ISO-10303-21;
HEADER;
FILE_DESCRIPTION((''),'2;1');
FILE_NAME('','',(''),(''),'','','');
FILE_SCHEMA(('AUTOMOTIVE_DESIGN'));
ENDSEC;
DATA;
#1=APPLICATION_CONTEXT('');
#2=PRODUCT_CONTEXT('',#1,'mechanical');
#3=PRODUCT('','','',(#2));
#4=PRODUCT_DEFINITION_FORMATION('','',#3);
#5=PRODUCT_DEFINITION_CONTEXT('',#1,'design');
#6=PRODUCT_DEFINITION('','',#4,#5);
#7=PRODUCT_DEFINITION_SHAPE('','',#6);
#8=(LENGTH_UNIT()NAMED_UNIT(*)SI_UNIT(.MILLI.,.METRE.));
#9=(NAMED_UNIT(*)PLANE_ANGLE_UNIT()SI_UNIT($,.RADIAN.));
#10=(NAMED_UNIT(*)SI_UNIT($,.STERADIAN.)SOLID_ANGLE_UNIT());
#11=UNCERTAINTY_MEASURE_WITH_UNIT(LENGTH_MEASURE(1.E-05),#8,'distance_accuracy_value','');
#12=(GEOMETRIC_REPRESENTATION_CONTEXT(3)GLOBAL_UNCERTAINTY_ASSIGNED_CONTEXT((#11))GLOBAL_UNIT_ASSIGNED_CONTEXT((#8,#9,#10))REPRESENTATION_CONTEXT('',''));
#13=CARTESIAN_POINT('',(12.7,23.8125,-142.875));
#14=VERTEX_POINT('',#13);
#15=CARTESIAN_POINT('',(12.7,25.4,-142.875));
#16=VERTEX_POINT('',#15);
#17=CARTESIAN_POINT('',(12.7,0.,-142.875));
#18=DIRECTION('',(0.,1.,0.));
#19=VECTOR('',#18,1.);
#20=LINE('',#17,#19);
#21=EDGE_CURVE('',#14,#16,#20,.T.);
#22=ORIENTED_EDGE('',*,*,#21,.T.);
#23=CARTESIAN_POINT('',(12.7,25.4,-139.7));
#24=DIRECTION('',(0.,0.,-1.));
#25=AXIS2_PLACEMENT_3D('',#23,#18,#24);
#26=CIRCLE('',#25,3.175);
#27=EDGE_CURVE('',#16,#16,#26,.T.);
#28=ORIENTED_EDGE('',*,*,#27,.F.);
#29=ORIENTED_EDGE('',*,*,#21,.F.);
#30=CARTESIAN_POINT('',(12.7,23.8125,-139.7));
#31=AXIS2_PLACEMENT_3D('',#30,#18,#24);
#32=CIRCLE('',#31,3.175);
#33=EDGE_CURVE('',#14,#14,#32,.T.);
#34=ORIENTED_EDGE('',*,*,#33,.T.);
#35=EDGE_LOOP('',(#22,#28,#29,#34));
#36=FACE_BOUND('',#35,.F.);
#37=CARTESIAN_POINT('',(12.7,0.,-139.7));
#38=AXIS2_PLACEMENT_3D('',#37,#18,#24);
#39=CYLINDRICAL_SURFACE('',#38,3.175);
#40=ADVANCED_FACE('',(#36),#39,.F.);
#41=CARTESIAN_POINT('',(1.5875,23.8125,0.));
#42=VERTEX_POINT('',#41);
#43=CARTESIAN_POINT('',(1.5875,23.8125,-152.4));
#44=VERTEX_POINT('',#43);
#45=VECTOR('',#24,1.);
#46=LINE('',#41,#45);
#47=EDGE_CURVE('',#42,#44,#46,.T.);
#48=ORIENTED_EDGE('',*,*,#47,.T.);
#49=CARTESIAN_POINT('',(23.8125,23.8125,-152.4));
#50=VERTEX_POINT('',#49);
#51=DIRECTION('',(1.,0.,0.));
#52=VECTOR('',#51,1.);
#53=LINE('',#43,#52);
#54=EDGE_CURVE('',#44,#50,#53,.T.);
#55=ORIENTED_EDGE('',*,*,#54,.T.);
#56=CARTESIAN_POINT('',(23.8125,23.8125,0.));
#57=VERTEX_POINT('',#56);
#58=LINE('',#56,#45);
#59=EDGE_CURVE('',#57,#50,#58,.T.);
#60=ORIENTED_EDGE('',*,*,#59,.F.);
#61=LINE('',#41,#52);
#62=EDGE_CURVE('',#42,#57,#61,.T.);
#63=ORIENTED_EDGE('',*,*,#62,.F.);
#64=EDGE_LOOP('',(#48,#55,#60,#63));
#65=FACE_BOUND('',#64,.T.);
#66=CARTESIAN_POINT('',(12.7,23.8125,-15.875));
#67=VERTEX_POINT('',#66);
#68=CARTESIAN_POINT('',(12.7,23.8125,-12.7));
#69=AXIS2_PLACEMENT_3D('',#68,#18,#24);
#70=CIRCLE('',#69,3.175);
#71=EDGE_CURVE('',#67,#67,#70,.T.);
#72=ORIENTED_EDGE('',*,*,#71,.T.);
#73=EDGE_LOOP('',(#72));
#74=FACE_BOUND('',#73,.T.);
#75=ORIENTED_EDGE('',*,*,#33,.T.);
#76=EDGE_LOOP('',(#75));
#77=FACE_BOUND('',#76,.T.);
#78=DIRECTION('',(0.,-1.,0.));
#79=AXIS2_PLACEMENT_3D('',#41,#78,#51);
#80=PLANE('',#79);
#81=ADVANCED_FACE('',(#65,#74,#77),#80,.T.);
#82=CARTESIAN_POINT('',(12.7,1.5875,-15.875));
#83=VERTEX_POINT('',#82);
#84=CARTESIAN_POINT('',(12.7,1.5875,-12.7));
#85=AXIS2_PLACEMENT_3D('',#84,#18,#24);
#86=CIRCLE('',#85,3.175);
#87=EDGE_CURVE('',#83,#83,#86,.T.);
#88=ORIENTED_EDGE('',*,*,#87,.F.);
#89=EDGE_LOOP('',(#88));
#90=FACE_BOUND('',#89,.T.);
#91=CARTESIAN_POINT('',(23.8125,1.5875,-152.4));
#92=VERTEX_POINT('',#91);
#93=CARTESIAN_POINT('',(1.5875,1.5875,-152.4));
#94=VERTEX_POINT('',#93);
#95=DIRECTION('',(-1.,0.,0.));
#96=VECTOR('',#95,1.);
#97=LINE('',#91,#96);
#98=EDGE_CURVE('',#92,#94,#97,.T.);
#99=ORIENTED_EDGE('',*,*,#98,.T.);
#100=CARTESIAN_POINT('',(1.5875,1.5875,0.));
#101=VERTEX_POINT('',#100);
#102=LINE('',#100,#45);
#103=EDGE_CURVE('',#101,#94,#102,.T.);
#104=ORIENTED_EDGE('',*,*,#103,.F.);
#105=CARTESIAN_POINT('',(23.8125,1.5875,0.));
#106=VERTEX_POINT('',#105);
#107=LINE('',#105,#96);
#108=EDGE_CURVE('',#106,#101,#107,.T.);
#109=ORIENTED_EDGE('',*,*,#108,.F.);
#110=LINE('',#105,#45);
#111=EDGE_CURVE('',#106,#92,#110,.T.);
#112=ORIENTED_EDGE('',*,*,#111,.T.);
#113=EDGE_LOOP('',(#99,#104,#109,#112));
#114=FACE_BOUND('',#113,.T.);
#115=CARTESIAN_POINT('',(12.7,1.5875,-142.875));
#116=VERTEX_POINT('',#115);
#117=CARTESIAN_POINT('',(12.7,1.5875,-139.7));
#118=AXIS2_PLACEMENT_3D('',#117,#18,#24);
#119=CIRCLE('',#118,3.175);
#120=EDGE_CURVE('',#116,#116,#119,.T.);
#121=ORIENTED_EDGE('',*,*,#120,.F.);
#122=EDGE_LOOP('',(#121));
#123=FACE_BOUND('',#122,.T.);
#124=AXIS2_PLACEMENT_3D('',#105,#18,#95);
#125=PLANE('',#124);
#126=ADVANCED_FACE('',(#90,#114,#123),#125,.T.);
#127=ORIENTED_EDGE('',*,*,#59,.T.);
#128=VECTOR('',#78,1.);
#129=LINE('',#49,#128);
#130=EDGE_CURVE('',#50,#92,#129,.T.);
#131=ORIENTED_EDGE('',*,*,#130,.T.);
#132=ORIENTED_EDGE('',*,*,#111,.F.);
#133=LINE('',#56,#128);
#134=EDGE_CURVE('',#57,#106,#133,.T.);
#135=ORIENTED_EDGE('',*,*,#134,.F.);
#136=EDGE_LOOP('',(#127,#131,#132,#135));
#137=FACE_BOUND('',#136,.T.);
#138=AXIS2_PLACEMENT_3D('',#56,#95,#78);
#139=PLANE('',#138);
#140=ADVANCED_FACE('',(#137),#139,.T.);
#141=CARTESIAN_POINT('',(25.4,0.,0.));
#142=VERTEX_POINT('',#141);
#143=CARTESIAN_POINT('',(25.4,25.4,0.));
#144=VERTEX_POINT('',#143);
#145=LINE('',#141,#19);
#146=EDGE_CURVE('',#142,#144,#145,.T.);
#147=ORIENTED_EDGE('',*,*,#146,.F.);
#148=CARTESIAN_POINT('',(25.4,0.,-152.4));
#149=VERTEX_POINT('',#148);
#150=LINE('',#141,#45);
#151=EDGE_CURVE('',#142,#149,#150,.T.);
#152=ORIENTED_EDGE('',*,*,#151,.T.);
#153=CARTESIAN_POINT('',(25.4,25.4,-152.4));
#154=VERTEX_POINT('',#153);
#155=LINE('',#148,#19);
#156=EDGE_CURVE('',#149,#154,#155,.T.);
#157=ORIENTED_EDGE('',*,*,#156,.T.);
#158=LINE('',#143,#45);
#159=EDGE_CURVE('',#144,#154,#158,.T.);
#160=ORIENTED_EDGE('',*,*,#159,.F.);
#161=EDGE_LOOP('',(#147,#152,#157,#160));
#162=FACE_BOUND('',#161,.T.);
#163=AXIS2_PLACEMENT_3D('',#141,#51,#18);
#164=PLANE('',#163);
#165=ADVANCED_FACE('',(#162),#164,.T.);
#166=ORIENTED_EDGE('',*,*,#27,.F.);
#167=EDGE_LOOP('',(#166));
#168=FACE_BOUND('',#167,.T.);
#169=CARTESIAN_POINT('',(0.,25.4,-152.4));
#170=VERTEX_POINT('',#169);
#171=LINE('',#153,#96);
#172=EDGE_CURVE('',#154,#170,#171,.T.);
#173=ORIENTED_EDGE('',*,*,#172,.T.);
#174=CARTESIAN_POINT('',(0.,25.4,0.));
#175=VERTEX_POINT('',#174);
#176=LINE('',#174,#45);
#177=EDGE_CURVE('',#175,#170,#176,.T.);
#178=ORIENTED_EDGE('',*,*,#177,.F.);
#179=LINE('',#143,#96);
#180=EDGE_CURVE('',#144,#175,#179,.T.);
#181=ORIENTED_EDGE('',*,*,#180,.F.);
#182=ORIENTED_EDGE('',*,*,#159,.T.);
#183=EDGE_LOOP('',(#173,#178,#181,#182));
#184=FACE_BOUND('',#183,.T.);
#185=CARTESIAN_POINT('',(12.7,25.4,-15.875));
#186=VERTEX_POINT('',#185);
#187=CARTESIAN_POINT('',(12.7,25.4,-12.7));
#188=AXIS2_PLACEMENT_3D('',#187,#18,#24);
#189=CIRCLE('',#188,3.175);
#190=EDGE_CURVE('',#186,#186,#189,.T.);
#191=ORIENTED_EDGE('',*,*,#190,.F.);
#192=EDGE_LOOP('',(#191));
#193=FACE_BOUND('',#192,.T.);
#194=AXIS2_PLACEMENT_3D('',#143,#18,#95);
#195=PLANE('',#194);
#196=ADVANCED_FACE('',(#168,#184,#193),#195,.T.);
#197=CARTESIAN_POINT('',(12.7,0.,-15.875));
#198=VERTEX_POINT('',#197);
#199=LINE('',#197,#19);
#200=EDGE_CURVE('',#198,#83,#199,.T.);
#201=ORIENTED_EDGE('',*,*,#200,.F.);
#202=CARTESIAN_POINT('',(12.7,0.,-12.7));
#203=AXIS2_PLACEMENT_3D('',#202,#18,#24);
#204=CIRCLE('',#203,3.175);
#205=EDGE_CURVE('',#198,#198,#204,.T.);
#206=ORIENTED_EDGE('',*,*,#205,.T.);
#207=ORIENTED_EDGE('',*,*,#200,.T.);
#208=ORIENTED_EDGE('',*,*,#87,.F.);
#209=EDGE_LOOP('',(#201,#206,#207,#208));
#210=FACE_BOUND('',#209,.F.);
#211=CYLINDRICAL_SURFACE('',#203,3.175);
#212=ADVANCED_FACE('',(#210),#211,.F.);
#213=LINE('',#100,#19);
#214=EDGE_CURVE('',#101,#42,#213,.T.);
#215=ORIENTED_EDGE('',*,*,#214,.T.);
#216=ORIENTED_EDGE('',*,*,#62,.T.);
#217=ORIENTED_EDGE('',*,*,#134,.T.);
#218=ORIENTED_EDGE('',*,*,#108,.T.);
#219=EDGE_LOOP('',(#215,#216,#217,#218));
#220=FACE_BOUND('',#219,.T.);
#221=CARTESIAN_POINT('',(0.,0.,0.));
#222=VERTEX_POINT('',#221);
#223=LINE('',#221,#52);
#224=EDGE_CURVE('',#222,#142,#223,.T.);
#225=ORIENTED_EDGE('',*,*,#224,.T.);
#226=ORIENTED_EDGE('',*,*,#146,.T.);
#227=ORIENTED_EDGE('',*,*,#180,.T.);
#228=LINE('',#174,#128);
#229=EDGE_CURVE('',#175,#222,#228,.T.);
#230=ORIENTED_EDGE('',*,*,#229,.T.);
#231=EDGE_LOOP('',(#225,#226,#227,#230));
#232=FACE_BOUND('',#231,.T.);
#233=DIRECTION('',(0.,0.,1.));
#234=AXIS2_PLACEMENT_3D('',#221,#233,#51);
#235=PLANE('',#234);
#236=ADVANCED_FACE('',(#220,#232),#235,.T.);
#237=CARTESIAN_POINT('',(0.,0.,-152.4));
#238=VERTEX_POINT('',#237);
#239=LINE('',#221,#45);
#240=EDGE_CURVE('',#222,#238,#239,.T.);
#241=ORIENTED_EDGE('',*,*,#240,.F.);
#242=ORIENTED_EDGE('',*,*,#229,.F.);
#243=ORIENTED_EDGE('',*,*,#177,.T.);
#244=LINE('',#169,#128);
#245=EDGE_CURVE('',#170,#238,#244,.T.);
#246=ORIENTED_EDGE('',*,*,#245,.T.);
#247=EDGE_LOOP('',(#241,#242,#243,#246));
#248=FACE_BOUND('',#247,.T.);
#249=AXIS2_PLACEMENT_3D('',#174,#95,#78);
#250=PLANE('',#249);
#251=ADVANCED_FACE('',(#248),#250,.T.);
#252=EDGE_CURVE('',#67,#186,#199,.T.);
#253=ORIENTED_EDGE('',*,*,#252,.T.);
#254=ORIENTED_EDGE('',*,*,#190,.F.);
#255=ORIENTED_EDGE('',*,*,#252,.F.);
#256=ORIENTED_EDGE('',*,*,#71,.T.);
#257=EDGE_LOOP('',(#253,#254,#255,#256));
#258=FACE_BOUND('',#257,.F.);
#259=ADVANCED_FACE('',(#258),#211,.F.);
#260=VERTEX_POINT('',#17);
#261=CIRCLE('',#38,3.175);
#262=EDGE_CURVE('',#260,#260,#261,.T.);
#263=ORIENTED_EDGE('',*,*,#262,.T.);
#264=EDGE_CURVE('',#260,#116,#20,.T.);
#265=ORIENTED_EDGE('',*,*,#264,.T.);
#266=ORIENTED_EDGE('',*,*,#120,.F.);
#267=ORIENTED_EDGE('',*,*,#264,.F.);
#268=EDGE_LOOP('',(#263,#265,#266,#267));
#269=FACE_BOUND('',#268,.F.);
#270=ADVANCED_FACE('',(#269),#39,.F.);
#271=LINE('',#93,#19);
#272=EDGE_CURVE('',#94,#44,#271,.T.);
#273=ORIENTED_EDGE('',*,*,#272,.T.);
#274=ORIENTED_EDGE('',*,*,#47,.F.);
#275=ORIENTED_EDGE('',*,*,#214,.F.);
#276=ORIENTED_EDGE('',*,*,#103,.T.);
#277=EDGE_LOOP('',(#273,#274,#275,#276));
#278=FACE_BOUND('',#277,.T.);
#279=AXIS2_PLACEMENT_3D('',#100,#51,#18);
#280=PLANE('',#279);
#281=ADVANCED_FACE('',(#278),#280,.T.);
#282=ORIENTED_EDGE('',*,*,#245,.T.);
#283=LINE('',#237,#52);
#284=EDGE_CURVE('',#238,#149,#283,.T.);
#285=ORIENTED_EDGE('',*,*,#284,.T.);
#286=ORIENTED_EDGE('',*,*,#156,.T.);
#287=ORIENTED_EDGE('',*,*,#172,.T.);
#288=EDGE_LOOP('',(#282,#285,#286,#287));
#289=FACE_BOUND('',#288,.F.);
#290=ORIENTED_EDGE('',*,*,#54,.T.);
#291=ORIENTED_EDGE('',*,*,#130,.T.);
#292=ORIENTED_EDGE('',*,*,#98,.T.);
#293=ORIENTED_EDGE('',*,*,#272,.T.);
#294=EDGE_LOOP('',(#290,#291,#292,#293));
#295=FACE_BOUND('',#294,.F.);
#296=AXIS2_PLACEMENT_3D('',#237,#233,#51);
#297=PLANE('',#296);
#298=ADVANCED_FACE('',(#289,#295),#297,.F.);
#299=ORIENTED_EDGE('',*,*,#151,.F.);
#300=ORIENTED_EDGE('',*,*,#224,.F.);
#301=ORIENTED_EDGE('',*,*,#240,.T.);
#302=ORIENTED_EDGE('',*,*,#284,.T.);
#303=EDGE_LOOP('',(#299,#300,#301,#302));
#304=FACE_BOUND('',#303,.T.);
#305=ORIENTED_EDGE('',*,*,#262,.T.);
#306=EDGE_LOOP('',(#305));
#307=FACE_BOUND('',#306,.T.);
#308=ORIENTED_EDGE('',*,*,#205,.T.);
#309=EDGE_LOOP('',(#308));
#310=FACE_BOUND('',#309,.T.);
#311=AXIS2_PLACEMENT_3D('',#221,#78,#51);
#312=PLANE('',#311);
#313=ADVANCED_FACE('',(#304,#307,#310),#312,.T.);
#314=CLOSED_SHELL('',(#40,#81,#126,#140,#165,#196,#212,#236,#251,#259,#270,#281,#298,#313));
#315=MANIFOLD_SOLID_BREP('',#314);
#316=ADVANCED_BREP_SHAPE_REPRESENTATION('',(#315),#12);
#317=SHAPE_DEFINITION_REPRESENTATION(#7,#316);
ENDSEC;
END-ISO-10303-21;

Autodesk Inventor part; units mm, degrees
ref_plane "YZ Plane" through (0, 0, 0) normal (1, 0, 0) x (0, 1, 0)
ref_plane "XZ Plane" through (0, 0, 0) normal (0, 1, 0) x (-1, 0, 0)
ref_plane "XY Plane" through (0, 0, 0) normal (0, 0, 1) x (1, 0, 0)
sketch "Sketch1" plane through (0, 0, 0) normal (0, 0, 1) x (1, 0, 0)
  line L0 (0, 0) -> (25.4, 0)
  line L1 (25.4, 0) -> (25.4, 25.4)
  line L2 (25.4, 25.4) -> (0, 25.4)
  line L3 (0, 25.4) -> (0, 0)
  line L4 (1.5875, 23.8125) -> (23.8125, 23.8125)
  line L5 (23.8125, 23.8125) -> (23.8125, 1.5875)
  line L6 (23.8125, 1.5875) -> (1.5875, 1.5875)
  line L7 (1.5875, 1.5875) -> (1.5875, 23.8125)
  dimension "d0" = 25.4
  dimension "d1" = 25.4
  dimension "d2" = 1.5875
extrude "Extrusion1" add sketch "Sketch1" against normal blind 152.4
sketch "Sketch3" plane through (0, 0, 0) normal (0, -1, 0) x (1, 0, 0)
  line L0 (0, -152.4) -> (25.4, -152.4) projected
  line L1 (0, 0) -> (25.4, 0) projected
  point P0 (12.7, -12.7)
  point P1 (12.7, -139.7)
  dimension "d7" = 12.7
  dimension "d8" = 12.7
hole "Hole2" at (12.7, 0, -12.7) at (12.7, 0, -139.7) direction (0, 1, 0) diameter 6.35 depth 25.4 tip angle 118
properties part number "tube_f_r_in_wheel"
